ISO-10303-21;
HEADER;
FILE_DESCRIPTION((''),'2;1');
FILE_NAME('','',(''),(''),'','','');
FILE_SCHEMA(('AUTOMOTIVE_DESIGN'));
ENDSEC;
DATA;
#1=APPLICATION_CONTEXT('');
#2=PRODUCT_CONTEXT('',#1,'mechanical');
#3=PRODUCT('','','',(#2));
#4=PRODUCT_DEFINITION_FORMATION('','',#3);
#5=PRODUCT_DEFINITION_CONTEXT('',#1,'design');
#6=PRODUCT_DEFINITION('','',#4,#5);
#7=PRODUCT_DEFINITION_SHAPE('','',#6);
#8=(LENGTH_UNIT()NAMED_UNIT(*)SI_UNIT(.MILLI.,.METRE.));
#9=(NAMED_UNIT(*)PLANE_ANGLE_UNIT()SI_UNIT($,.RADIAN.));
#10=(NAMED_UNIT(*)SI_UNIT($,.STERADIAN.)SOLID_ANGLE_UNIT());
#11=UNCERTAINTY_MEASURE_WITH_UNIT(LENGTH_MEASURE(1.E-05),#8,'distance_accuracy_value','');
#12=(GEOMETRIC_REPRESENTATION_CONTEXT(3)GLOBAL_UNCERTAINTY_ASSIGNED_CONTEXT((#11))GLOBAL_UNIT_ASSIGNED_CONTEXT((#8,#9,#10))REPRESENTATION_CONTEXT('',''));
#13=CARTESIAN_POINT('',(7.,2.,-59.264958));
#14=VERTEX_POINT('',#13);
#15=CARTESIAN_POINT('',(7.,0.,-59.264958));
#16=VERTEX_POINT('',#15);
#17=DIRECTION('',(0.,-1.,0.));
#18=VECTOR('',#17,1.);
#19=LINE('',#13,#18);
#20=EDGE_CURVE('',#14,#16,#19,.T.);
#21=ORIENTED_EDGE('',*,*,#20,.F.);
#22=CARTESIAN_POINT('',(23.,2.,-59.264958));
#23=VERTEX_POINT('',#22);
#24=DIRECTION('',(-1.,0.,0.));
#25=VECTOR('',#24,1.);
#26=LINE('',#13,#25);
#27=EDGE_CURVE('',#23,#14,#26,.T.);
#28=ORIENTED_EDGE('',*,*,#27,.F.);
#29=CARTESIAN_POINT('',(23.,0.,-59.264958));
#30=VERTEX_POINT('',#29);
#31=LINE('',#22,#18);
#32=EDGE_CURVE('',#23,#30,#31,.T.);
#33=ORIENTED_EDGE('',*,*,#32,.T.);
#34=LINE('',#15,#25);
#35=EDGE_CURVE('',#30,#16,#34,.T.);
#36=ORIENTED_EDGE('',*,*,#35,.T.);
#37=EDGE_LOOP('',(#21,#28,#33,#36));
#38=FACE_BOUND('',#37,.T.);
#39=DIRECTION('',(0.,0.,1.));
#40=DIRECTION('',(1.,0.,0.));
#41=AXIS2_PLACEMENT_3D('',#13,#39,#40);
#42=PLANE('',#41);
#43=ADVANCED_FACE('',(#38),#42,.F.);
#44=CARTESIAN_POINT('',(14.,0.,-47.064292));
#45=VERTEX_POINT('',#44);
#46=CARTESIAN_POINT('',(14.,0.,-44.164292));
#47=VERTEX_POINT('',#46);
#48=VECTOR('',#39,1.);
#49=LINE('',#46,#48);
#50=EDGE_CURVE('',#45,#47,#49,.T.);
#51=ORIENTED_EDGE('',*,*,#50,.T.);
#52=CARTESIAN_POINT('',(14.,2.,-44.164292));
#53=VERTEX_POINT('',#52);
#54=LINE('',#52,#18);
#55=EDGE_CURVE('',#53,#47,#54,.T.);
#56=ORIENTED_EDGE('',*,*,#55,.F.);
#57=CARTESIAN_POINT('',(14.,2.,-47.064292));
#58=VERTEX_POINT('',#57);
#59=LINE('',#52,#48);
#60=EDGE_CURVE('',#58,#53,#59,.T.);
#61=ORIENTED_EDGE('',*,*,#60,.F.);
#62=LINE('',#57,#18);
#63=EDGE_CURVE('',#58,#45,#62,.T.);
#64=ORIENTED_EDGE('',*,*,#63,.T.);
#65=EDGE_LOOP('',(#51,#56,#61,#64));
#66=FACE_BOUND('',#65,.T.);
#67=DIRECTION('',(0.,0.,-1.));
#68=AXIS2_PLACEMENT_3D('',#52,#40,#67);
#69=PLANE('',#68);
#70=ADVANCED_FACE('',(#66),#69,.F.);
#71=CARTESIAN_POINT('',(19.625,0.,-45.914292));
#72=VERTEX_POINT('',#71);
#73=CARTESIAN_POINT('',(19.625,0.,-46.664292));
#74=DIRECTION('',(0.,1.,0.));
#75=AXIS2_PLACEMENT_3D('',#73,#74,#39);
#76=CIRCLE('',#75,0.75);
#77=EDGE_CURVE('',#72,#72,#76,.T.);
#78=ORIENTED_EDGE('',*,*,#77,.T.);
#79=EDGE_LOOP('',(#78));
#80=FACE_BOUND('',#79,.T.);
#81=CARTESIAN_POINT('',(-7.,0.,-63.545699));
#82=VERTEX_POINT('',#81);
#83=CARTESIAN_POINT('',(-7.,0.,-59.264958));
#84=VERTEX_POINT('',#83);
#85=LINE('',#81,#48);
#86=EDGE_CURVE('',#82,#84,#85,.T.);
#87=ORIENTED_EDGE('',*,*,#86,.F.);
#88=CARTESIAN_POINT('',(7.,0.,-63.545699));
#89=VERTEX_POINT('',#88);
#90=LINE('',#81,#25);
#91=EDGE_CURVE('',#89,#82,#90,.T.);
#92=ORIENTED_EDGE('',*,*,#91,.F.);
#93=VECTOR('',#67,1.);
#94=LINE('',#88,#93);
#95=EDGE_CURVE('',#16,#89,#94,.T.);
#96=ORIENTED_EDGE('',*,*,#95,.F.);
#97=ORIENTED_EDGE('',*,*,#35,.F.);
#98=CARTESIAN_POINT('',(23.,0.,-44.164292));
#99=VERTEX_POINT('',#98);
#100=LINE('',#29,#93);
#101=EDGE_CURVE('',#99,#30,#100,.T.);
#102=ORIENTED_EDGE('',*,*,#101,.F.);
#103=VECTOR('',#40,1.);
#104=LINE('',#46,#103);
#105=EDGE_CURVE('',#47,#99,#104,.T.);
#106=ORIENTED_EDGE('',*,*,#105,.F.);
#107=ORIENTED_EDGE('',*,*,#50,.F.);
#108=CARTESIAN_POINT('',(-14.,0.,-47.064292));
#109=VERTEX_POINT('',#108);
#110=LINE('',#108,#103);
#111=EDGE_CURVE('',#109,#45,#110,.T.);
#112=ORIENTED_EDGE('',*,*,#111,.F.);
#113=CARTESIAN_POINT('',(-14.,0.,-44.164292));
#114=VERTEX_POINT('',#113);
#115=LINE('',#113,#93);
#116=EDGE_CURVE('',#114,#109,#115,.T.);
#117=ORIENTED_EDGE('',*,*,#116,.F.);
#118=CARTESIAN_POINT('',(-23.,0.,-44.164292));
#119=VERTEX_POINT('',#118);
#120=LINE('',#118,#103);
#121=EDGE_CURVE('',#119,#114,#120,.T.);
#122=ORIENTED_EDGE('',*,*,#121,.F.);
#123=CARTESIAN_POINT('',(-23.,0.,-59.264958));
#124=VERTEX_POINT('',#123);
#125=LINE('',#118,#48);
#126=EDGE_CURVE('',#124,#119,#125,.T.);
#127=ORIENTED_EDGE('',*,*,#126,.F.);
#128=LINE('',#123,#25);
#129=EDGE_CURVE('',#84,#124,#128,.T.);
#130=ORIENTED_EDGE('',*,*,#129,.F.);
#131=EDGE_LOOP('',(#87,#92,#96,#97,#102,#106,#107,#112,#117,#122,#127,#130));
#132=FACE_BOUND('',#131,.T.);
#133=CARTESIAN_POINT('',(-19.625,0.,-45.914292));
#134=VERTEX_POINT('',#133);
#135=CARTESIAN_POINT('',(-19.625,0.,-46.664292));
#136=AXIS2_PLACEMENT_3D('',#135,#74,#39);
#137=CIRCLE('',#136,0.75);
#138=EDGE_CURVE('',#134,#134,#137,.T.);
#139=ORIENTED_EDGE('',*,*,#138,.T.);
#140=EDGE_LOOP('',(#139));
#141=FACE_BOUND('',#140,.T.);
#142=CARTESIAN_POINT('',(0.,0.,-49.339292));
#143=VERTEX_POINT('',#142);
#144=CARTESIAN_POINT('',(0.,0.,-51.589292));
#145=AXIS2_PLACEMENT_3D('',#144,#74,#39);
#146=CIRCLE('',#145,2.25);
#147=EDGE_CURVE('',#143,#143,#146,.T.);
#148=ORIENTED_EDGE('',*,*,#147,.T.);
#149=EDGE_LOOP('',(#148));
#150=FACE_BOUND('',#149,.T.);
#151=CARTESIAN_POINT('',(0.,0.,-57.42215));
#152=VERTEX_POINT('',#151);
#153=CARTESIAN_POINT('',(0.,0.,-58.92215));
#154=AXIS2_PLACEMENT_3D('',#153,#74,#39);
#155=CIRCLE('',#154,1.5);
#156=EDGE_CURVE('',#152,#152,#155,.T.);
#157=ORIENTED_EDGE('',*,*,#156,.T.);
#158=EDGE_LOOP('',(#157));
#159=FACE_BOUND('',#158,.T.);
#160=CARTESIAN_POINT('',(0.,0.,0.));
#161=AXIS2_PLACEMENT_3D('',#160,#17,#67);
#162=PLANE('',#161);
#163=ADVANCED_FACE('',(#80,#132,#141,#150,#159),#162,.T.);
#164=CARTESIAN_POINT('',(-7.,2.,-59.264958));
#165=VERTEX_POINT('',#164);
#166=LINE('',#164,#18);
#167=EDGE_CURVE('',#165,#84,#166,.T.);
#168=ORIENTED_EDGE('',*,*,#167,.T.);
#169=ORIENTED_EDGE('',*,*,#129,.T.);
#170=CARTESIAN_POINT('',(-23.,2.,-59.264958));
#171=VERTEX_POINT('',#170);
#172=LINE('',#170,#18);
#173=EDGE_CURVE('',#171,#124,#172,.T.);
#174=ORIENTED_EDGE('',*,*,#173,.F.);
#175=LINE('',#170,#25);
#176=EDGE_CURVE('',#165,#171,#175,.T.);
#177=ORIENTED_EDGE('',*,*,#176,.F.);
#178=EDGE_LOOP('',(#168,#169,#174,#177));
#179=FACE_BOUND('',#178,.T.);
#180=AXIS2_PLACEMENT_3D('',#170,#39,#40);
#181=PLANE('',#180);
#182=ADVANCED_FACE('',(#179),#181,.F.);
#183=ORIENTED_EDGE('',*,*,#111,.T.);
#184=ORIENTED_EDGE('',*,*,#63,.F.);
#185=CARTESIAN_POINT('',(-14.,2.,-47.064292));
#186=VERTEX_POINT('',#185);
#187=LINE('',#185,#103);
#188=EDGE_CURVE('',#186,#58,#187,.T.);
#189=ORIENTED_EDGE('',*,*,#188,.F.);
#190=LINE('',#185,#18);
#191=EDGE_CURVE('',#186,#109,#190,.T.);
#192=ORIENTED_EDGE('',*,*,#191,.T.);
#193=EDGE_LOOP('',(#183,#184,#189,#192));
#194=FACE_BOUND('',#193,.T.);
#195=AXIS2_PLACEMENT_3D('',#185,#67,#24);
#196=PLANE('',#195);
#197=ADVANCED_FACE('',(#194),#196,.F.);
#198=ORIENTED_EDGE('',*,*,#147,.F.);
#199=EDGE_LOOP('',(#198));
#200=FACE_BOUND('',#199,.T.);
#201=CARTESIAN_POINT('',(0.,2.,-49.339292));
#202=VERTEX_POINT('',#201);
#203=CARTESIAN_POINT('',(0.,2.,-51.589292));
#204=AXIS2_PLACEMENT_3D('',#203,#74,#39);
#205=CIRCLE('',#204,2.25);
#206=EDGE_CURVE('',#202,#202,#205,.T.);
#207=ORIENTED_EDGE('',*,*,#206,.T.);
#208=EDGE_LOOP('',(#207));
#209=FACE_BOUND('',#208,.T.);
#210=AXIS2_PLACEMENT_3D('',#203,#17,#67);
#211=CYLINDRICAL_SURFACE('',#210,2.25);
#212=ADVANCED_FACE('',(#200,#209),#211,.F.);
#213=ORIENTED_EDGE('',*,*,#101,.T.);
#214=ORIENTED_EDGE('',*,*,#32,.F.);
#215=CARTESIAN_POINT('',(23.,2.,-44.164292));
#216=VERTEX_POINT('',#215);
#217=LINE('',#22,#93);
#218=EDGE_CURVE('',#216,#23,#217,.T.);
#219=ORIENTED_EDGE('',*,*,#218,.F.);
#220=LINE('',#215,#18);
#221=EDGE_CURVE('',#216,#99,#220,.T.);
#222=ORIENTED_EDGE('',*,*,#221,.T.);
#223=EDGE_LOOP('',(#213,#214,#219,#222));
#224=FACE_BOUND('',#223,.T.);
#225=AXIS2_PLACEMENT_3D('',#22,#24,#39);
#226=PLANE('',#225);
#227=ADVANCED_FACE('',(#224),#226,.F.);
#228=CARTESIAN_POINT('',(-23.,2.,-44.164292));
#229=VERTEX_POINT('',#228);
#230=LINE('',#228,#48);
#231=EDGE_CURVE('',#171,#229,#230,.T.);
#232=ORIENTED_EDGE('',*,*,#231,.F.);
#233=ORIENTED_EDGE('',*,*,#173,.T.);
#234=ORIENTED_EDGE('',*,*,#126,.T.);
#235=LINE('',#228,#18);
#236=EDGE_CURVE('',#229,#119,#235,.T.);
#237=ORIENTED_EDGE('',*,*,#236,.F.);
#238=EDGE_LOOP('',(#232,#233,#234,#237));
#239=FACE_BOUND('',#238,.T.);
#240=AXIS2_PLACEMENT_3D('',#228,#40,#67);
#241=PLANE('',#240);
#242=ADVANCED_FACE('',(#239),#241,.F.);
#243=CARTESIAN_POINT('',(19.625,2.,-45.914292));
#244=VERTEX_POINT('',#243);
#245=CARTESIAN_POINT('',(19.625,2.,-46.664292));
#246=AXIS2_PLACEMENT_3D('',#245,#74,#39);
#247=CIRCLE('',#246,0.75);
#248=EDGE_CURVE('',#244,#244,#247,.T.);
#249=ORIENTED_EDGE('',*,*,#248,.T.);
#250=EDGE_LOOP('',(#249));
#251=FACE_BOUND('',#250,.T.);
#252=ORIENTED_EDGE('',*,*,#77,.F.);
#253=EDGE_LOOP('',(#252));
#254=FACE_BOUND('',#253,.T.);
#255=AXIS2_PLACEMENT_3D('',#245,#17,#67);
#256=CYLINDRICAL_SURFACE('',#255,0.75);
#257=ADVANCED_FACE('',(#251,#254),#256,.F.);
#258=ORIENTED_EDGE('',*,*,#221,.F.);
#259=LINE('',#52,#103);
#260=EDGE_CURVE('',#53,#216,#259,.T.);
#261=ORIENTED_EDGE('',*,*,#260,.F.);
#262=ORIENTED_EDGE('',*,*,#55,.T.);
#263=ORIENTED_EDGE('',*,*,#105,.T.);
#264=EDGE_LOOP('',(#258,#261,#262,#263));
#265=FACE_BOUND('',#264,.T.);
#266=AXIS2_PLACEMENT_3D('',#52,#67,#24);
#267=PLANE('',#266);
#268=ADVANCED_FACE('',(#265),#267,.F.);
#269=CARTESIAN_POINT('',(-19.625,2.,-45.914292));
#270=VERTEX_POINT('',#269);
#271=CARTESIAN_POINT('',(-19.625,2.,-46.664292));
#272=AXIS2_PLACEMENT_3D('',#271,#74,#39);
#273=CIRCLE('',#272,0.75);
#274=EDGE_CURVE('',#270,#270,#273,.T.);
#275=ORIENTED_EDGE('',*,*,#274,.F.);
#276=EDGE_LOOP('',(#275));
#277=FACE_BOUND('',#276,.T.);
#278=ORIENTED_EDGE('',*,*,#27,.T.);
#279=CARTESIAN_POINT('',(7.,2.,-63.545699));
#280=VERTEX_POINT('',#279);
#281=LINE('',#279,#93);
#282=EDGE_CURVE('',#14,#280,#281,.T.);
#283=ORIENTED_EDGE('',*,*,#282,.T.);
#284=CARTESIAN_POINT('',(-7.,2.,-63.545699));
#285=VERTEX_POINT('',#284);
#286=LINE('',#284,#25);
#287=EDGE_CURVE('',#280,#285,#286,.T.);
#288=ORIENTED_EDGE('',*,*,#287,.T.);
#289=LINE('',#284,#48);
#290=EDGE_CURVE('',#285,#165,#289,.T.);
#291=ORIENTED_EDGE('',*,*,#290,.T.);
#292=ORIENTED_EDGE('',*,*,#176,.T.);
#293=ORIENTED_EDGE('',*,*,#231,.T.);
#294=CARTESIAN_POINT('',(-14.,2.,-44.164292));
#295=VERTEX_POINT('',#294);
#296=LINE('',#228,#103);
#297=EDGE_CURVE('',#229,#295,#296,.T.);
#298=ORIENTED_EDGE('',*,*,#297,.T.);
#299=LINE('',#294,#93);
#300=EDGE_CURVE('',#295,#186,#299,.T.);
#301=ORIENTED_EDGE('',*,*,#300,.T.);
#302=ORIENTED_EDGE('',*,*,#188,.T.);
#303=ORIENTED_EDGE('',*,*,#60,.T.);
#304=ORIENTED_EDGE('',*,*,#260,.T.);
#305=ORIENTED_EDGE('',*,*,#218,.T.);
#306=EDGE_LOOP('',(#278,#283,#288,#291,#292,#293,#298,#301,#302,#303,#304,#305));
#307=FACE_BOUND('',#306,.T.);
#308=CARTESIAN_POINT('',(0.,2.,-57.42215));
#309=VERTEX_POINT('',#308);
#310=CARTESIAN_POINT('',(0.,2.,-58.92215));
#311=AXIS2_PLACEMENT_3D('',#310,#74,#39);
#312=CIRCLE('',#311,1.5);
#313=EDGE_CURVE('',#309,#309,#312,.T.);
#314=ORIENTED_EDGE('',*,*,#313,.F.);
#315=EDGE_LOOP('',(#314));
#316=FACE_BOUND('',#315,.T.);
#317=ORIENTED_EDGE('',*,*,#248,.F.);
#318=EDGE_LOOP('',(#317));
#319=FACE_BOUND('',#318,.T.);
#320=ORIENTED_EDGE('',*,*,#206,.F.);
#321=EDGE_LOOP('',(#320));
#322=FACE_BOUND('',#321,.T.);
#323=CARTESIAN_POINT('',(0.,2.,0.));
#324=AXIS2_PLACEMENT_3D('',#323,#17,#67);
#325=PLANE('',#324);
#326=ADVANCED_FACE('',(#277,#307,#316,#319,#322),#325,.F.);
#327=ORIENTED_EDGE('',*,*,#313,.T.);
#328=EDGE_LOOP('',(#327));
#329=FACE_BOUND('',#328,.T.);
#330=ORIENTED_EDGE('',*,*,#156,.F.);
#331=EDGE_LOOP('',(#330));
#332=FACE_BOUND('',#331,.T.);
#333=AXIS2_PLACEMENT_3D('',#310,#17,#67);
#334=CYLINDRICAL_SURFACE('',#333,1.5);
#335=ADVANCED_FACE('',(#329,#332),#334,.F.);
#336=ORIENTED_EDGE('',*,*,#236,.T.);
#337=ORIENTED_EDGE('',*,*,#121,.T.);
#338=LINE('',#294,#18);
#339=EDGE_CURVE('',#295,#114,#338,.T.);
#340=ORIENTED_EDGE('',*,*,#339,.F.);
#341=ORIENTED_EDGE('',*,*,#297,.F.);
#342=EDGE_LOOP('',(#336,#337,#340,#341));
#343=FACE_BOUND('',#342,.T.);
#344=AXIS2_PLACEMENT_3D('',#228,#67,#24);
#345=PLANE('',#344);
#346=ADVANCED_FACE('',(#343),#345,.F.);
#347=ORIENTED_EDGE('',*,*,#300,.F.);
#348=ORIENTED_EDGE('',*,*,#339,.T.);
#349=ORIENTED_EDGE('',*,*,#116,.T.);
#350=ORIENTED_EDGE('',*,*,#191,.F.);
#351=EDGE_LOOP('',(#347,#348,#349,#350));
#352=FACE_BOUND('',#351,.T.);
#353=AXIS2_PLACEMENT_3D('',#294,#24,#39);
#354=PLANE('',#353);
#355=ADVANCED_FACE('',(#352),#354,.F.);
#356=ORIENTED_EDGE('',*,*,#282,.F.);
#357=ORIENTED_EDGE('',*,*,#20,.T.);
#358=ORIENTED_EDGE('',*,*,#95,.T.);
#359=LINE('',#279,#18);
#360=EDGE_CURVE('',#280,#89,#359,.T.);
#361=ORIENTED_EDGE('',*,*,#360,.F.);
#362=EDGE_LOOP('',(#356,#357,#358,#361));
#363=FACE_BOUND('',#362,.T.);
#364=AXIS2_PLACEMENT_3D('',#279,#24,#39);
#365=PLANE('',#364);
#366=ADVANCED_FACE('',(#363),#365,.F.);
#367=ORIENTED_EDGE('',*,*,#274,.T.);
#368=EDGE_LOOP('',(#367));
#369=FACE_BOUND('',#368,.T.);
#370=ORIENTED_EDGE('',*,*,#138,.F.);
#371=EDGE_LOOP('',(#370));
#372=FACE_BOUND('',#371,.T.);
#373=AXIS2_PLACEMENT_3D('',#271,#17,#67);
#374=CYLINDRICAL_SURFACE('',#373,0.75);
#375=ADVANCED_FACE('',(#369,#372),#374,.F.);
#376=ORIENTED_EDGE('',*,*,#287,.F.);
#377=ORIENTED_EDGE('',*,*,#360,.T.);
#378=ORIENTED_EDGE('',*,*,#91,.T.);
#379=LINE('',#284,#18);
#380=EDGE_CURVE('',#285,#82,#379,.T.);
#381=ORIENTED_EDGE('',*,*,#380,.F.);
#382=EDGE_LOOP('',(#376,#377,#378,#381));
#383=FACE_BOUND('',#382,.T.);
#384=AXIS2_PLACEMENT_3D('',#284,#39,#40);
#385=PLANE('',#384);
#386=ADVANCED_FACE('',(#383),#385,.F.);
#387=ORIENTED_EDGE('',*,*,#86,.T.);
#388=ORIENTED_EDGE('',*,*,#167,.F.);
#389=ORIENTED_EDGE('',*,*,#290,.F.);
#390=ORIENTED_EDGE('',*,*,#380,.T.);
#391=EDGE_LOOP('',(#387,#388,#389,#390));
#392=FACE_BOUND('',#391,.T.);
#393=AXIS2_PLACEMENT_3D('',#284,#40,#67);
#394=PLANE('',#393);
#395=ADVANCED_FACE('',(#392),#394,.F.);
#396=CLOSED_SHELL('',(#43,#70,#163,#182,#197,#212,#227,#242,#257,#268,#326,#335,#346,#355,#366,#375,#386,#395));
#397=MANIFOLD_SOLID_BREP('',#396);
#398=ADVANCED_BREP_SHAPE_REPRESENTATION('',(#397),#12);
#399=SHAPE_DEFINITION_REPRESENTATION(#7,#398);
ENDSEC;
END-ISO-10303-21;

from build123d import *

# Parameters (mm, degrees)
SKETCH1_R           = 0.75
SKETCH1_R_2         = 2.25
SKETCH1_R_3         = 1.5
BOSS_EXTRUDE1_DEPTH = 2


with BuildPart() as part:
    # Sketch1 → Boss-Extrude1 (new body)
    with BuildSketch(Plane(origin=(0, 0, 0), x_dir=(1, 0, 0), z_dir=(0, 1, 0))):
        Polygon((-14, 44.164292058), (-14, 47.064292058), (14, 47.064292058), (14, 44.164292058), (23, 44.164292058), (23, 59.264958065), (7, 59.264958065), (7, 63.545698501), (-7, 63.545698501), (-7, 59.264958065), (-23, 59.264958065), (-23, 44.164292058), align=None)
        with Locations((-19.625, 46.664292058)):
            Circle(SKETCH1_R, mode=Mode.SUBTRACT)
        with Locations((19.625, 46.664292058)):
            Circle(SKETCH1_R, mode=Mode.SUBTRACT)
        with Locations((0, 51.589292058)):
            Circle(SKETCH1_R_2, mode=Mode.SUBTRACT)
        with Locations((0, 58.922150469)):
            Circle(SKETCH1_R_3, mode=Mode.SUBTRACT)
    extrude(amount=BOSS_EXTRUDE1_DEPTH)


solid = part.part
